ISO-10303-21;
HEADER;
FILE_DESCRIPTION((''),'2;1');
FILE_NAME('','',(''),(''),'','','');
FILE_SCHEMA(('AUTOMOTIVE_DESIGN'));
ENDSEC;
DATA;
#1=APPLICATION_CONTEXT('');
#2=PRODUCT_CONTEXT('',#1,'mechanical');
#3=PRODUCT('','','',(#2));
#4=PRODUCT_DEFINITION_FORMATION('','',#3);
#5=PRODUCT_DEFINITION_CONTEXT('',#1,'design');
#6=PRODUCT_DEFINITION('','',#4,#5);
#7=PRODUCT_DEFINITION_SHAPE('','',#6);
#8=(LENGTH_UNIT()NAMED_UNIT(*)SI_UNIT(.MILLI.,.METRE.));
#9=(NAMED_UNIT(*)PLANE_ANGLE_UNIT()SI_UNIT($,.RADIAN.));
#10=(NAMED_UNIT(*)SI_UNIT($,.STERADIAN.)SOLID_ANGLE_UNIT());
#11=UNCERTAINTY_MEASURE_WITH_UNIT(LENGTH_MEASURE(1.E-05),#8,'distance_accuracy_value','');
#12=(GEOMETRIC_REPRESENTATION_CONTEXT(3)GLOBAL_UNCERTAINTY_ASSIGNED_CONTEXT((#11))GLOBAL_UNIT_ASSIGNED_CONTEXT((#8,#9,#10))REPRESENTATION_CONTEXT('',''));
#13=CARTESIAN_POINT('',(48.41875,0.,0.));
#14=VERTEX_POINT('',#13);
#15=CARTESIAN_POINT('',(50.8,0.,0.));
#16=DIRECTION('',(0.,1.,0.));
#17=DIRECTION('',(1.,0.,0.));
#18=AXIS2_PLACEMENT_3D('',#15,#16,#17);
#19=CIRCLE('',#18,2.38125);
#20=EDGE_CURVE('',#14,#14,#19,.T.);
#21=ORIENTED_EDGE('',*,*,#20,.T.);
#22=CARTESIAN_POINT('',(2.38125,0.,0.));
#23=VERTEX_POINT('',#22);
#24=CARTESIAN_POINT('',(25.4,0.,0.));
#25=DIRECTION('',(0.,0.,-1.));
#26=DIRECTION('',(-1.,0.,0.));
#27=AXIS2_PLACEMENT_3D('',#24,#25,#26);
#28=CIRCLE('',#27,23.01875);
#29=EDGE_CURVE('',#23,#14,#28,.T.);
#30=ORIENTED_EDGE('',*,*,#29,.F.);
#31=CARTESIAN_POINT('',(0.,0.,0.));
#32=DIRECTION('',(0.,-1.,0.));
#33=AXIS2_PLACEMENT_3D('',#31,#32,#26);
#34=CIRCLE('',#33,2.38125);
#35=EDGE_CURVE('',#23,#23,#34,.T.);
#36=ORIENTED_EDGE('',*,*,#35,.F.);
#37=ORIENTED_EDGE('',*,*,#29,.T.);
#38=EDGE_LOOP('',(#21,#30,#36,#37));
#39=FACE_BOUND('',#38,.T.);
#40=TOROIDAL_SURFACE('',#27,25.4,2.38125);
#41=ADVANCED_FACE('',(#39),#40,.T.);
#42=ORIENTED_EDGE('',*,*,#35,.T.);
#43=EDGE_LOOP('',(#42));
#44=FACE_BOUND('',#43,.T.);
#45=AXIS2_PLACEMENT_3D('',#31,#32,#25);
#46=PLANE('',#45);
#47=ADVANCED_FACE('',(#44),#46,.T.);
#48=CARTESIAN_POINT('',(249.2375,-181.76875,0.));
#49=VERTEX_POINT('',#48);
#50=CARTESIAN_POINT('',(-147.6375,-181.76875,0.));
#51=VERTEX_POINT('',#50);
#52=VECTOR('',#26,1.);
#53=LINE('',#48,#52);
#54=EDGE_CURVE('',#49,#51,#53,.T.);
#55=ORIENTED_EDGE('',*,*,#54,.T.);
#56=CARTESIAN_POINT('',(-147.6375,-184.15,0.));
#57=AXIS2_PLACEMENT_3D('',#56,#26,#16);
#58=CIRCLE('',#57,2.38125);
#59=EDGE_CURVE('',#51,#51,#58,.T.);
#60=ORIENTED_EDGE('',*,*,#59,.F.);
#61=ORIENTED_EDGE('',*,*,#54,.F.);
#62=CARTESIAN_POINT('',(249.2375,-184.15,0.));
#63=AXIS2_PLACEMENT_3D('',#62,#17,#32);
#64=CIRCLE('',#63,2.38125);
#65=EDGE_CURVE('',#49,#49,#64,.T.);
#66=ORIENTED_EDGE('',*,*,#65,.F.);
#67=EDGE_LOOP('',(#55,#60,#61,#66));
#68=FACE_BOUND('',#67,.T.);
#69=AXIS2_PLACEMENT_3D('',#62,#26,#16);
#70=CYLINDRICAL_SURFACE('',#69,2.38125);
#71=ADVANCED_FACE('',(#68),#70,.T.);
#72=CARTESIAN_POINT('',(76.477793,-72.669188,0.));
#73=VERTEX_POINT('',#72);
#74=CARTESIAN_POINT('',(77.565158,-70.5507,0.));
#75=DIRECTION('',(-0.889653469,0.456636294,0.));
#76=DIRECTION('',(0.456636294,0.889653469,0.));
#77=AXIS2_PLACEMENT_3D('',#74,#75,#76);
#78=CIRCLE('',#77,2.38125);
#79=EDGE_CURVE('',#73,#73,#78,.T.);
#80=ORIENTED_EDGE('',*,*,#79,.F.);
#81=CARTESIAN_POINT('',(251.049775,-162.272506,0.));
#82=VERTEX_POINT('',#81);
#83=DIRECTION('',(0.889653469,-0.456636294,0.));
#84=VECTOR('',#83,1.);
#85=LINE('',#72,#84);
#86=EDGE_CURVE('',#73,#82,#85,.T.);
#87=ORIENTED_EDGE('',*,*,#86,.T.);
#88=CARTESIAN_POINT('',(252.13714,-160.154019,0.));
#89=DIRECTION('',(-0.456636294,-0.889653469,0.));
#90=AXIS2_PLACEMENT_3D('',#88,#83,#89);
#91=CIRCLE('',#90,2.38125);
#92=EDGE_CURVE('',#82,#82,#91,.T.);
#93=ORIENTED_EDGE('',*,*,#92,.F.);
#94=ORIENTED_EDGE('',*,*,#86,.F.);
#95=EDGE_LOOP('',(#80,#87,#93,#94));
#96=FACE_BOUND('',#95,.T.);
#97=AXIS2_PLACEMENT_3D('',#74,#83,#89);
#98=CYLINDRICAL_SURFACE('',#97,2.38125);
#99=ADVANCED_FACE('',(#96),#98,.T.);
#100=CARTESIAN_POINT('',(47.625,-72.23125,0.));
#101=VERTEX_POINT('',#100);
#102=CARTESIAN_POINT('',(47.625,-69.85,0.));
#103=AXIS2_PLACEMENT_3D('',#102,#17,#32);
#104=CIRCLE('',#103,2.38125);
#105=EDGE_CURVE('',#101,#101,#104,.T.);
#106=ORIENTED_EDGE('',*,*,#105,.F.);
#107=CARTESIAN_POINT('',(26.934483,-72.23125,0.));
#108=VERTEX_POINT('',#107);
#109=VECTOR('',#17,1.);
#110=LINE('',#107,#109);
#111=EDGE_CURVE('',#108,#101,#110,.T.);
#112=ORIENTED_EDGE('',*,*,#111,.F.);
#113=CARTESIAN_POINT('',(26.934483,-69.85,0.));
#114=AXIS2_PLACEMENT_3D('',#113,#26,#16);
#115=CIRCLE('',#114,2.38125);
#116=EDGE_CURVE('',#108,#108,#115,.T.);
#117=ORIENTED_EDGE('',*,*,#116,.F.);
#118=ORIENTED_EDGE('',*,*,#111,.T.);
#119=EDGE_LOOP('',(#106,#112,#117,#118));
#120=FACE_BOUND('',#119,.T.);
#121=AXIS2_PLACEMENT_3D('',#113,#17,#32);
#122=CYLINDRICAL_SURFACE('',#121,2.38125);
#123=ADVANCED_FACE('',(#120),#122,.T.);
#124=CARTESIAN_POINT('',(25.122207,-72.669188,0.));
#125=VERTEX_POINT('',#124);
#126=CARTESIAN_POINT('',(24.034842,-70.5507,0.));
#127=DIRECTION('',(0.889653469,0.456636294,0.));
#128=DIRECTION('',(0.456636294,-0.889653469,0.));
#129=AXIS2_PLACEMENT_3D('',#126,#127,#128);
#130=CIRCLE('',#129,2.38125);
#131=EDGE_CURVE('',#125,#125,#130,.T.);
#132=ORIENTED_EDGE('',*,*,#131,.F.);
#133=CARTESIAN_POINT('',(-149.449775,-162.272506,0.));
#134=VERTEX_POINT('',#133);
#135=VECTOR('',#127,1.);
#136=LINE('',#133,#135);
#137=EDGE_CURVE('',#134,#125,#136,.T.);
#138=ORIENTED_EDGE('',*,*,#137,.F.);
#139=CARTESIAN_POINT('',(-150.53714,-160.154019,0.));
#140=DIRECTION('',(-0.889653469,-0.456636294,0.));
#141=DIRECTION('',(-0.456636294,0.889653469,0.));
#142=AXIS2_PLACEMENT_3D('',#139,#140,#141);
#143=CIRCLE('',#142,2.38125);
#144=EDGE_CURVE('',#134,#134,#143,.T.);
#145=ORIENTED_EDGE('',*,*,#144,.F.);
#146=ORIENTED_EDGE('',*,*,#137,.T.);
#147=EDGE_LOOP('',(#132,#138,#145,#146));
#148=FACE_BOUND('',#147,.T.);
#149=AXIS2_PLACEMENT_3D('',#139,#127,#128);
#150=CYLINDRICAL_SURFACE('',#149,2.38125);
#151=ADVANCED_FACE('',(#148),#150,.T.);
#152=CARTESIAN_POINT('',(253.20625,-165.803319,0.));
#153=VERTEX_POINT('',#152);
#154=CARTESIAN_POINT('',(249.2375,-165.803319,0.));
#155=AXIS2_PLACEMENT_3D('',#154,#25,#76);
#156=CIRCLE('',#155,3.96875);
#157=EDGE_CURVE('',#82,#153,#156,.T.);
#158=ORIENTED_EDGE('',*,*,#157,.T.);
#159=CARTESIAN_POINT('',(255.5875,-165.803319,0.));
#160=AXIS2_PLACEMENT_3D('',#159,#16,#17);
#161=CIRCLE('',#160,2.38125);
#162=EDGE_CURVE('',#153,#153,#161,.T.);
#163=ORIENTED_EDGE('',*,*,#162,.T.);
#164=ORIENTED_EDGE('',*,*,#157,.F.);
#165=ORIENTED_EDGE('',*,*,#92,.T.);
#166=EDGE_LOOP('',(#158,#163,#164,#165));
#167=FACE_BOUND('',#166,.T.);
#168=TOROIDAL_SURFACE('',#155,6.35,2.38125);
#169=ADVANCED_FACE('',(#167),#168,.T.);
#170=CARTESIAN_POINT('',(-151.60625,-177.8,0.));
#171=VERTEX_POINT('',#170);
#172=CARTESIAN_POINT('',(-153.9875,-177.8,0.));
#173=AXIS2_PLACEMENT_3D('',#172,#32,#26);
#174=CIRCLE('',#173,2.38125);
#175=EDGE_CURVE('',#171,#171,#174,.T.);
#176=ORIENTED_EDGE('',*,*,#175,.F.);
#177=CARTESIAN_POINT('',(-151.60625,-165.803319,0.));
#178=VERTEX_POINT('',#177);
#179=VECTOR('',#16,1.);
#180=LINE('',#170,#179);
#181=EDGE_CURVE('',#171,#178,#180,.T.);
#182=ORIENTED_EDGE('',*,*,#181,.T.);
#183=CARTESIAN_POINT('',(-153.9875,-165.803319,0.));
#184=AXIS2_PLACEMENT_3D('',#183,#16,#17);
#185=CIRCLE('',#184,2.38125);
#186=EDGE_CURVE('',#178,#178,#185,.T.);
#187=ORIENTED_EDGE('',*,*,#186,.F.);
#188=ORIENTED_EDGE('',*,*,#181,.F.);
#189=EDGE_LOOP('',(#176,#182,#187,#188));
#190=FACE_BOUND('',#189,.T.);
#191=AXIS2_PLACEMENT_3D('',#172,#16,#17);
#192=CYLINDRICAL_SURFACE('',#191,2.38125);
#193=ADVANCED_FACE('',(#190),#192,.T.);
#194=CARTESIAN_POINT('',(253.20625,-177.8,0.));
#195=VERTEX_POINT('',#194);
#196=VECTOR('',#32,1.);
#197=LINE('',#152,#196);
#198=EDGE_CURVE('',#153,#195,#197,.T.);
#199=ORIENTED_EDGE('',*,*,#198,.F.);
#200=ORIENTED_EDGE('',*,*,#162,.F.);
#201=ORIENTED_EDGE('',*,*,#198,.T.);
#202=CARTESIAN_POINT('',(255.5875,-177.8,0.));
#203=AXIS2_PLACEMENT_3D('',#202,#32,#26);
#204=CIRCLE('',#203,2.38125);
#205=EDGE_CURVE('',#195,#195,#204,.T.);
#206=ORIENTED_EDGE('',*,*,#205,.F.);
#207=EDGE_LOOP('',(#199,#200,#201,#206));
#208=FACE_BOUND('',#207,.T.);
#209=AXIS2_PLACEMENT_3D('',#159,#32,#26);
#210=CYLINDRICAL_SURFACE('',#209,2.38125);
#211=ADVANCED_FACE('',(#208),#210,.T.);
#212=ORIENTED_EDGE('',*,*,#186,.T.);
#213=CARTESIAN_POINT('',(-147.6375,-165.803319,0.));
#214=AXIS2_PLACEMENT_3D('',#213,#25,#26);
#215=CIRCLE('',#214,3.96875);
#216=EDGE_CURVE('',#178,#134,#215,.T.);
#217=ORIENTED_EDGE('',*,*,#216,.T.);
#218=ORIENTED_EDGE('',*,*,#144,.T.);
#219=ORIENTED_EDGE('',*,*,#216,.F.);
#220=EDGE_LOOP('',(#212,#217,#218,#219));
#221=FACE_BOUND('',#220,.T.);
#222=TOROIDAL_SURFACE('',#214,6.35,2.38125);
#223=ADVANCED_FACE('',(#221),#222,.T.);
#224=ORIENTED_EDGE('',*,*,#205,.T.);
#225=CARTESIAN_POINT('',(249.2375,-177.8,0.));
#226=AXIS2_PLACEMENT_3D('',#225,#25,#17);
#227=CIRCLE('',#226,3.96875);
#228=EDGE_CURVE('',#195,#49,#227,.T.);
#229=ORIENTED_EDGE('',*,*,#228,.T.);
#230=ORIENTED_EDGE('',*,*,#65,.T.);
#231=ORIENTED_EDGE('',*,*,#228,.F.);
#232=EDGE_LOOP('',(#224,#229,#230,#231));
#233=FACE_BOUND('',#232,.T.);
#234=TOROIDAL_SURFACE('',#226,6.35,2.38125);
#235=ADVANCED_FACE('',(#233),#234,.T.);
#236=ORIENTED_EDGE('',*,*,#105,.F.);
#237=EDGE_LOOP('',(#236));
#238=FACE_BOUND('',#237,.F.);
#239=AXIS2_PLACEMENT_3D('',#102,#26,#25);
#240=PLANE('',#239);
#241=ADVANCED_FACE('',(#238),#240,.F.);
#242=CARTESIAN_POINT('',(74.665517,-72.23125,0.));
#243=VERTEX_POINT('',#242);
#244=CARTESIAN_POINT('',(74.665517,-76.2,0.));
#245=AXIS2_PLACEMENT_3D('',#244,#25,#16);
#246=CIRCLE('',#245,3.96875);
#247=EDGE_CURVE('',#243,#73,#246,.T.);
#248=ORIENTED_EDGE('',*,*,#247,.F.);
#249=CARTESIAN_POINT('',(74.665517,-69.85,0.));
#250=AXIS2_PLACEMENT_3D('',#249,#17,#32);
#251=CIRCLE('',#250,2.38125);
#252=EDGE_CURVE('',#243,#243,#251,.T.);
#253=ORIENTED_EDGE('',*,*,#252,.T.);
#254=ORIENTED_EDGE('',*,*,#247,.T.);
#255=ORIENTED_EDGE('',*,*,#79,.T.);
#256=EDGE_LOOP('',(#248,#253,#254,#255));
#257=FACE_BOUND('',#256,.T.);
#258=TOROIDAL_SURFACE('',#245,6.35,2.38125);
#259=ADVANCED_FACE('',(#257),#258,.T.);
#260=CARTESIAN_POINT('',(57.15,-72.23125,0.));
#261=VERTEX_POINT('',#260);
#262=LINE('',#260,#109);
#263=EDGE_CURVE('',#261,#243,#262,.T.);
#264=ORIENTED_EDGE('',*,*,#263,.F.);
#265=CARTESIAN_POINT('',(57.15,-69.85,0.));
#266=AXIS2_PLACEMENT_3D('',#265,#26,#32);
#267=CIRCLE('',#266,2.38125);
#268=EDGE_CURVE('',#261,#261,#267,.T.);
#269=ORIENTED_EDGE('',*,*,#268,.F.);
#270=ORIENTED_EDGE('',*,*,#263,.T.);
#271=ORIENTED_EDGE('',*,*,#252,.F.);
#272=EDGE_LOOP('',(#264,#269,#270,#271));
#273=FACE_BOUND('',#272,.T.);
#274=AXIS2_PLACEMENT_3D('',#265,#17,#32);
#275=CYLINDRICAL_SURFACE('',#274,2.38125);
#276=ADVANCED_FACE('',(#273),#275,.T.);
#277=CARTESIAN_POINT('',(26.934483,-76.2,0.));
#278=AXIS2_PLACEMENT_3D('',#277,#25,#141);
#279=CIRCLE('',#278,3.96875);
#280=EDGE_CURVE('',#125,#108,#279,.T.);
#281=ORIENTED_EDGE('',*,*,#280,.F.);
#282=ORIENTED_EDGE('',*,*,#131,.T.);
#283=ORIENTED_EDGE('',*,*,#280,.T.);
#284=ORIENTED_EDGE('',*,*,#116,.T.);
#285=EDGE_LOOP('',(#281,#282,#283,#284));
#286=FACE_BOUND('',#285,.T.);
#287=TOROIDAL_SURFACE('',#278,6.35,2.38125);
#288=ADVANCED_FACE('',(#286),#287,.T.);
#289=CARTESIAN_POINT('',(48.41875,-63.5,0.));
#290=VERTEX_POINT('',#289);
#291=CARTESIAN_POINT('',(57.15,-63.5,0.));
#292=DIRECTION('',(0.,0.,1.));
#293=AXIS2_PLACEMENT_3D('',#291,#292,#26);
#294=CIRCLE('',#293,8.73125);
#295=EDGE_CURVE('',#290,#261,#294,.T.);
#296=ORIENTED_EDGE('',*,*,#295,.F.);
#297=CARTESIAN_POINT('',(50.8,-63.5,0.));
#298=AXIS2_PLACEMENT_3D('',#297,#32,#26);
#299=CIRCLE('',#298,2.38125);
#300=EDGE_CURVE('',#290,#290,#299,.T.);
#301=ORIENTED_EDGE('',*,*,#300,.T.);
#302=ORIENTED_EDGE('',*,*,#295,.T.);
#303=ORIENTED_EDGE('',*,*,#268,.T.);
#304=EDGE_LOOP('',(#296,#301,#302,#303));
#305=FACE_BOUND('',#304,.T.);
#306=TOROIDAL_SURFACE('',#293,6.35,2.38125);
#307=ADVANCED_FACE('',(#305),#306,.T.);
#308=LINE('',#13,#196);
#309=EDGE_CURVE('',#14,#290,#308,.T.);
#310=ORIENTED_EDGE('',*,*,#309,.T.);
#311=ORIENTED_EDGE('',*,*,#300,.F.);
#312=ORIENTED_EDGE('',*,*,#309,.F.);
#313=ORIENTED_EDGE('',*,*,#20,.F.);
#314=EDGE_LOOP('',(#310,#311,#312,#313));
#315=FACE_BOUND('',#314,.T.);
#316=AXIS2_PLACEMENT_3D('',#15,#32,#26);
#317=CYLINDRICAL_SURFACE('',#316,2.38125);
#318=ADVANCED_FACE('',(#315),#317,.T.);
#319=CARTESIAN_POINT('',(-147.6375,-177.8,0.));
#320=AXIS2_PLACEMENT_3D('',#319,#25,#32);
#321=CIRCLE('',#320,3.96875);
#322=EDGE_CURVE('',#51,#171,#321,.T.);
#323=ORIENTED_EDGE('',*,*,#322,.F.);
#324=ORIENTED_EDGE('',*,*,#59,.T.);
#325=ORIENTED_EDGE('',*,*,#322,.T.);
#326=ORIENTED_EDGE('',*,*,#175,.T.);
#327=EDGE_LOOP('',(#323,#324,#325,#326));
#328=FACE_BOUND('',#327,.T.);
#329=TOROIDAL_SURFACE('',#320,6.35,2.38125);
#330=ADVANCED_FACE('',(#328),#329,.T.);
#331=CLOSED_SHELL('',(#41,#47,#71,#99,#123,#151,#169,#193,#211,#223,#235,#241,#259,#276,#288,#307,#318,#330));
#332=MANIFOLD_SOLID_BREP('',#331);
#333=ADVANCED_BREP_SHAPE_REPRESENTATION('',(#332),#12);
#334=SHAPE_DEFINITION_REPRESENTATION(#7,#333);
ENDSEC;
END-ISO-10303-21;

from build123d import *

# Parameters (mm, degrees)
F0_R = 2.38125


with BuildPart() as f2:
    # F2: sweep along a path in F1
    with BuildLine(Plane.XY) as f2_path:
        ThreePointArc((0, 0), (25.4, 25.4), (50.8, 0))
        Line((50.8, 0), (50.8, -63.5))
        ThreePointArc((50.8, -63.5), (52.6598719395, -67.9901280605), (57.15, -69.85))
        Line((57.15, -69.85), (74.6655173483, -69.85))
        ThreePointArc((74.6655173483, -69.85), (76.1570682176, -70.0276604108), (77.5651578144, -70.5507004711))
        Line((77.5651578144, -70.5507004711), (252.1371404662, -160.1540190003))
        ThreePointArc((252.1371404662, -160.1540190003), (254.6566889135, -162.4935010841), (255.5875, -165.8033185292))
        Line((255.5875, -165.8033185292), (255.5875, -177.8))
        ThreePointArc((255.5875, -177.8), (253.7276280605, -182.2901280605), (249.2375, -184.15))
        Line((249.2375, -184.15), (-147.6375, -184.15))
        ThreePointArc((-147.6375, -184.15), (-152.1276280605, -182.2901280605), (-153.9875, -177.8))
        Line((-153.9875, -177.8), (-153.9875, -165.8033185292))
        ThreePointArc((-153.9875, -165.8033185292), (-153.0566889135, -162.4935010841), (-150.5371404662, -160.1540190003))
        Line((-150.5371404662, -160.1540190003), (24.0348421856, -70.5507004711))
        ThreePointArc((24.0348421856, -70.5507004711), (25.4429317824, -70.0276604108), (26.9344826517, -69.85))
        Line((26.9344826517, -69.85), (47.625, -69.85))
    # F0 (on Front) → F2 (sweep)
    with BuildSketch(Plane.XZ):
        Circle(F0_R)
    sweep(path=f2_path.line)


solid = f2.part
